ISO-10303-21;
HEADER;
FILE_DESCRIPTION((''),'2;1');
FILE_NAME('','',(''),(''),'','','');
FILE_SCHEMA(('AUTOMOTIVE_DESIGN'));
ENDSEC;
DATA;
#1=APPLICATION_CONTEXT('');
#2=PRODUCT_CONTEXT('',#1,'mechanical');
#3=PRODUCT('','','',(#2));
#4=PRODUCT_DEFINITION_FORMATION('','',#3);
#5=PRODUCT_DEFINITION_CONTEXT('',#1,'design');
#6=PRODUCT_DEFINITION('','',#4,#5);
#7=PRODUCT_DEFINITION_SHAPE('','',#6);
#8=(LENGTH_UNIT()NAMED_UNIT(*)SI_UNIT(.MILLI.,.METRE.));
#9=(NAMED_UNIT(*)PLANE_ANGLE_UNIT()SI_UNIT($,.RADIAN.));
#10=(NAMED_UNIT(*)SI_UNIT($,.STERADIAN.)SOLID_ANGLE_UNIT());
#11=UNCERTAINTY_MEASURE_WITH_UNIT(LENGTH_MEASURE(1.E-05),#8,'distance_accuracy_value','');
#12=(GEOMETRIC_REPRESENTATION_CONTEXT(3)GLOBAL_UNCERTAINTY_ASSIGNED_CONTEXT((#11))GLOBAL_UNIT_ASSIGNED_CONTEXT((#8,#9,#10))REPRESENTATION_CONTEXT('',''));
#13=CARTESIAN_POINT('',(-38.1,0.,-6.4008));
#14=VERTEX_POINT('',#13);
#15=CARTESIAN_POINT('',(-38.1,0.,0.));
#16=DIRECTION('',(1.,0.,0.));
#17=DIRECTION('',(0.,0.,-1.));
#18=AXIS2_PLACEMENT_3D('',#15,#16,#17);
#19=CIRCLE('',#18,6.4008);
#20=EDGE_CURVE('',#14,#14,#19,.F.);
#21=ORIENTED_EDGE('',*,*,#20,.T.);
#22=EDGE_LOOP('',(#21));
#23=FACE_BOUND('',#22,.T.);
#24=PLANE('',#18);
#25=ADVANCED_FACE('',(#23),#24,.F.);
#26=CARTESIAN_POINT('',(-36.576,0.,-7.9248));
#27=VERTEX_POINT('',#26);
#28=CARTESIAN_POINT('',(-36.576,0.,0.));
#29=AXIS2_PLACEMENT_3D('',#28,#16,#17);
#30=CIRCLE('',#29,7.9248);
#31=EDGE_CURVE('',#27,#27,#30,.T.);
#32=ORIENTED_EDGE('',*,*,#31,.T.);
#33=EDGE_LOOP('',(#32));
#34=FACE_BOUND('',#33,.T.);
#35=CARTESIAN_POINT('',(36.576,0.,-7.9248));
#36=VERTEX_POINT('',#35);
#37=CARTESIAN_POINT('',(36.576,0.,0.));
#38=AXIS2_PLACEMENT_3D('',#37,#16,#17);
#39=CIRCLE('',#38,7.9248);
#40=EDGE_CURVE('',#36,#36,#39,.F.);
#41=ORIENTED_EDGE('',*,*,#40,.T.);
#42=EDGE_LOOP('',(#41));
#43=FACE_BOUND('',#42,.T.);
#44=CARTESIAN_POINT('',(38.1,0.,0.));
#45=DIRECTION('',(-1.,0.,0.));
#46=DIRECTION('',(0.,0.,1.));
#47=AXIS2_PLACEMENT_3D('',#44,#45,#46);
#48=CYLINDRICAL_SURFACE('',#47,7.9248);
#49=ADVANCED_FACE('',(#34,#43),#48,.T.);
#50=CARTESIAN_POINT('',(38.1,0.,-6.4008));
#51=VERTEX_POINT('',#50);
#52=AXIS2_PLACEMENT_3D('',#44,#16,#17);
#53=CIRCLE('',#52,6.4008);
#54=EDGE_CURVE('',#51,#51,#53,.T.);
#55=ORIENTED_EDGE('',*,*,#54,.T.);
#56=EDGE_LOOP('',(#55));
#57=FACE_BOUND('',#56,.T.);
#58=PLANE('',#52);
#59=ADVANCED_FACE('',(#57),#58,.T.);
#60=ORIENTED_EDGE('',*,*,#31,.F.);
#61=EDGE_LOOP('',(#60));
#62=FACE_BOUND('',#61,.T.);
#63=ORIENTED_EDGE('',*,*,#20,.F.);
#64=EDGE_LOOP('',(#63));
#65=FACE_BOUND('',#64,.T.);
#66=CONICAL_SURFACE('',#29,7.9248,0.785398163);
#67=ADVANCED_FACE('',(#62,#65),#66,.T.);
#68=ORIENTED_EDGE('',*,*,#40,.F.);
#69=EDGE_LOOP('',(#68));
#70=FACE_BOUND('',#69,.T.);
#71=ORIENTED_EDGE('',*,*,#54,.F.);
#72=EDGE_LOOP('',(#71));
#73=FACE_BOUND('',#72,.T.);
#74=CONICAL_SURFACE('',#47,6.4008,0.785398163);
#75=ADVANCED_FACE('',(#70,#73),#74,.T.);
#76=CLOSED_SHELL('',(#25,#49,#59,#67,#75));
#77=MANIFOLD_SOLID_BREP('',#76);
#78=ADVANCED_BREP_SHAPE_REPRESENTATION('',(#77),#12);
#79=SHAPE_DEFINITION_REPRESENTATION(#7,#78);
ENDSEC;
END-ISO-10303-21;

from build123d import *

# Parameters (mm, degrees)
SKETCH1_R           = 7.9248
BOSS_EXTRUDE1_DEPTH = 38.1
CHAMFER1_SIZE       = 1.524
CHAMFER2_SIZE       = 1.524


with BuildPart() as part:
    # Sketch1 → Boss-Extrude1 (new body, symmetric)
    with BuildSketch(Plane(origin=(0, 0, 0), x_dir=(0, 0, -1), z_dir=(1, 0, 0))):
        Circle(SKETCH1_R)
    extrude(amount=BOSS_EXTRUDE1_DEPTH, both=True)

    # Chamfer1
    chamfer1_edges = [part.edges().sort_by_distance(p)[0] for p in [
        (38.1, 0, 7.9248),
    ]]
    chamfer(chamfer1_edges, length=CHAMFER1_SIZE)

    # Chamfer2
    chamfer2_edges = [part.edges().sort_by_distance(p)[0] for p in [
        (-38.1, 0, 7.9248),
    ]]
    chamfer(chamfer2_edges, length=CHAMFER2_SIZE)


solid = part.part
